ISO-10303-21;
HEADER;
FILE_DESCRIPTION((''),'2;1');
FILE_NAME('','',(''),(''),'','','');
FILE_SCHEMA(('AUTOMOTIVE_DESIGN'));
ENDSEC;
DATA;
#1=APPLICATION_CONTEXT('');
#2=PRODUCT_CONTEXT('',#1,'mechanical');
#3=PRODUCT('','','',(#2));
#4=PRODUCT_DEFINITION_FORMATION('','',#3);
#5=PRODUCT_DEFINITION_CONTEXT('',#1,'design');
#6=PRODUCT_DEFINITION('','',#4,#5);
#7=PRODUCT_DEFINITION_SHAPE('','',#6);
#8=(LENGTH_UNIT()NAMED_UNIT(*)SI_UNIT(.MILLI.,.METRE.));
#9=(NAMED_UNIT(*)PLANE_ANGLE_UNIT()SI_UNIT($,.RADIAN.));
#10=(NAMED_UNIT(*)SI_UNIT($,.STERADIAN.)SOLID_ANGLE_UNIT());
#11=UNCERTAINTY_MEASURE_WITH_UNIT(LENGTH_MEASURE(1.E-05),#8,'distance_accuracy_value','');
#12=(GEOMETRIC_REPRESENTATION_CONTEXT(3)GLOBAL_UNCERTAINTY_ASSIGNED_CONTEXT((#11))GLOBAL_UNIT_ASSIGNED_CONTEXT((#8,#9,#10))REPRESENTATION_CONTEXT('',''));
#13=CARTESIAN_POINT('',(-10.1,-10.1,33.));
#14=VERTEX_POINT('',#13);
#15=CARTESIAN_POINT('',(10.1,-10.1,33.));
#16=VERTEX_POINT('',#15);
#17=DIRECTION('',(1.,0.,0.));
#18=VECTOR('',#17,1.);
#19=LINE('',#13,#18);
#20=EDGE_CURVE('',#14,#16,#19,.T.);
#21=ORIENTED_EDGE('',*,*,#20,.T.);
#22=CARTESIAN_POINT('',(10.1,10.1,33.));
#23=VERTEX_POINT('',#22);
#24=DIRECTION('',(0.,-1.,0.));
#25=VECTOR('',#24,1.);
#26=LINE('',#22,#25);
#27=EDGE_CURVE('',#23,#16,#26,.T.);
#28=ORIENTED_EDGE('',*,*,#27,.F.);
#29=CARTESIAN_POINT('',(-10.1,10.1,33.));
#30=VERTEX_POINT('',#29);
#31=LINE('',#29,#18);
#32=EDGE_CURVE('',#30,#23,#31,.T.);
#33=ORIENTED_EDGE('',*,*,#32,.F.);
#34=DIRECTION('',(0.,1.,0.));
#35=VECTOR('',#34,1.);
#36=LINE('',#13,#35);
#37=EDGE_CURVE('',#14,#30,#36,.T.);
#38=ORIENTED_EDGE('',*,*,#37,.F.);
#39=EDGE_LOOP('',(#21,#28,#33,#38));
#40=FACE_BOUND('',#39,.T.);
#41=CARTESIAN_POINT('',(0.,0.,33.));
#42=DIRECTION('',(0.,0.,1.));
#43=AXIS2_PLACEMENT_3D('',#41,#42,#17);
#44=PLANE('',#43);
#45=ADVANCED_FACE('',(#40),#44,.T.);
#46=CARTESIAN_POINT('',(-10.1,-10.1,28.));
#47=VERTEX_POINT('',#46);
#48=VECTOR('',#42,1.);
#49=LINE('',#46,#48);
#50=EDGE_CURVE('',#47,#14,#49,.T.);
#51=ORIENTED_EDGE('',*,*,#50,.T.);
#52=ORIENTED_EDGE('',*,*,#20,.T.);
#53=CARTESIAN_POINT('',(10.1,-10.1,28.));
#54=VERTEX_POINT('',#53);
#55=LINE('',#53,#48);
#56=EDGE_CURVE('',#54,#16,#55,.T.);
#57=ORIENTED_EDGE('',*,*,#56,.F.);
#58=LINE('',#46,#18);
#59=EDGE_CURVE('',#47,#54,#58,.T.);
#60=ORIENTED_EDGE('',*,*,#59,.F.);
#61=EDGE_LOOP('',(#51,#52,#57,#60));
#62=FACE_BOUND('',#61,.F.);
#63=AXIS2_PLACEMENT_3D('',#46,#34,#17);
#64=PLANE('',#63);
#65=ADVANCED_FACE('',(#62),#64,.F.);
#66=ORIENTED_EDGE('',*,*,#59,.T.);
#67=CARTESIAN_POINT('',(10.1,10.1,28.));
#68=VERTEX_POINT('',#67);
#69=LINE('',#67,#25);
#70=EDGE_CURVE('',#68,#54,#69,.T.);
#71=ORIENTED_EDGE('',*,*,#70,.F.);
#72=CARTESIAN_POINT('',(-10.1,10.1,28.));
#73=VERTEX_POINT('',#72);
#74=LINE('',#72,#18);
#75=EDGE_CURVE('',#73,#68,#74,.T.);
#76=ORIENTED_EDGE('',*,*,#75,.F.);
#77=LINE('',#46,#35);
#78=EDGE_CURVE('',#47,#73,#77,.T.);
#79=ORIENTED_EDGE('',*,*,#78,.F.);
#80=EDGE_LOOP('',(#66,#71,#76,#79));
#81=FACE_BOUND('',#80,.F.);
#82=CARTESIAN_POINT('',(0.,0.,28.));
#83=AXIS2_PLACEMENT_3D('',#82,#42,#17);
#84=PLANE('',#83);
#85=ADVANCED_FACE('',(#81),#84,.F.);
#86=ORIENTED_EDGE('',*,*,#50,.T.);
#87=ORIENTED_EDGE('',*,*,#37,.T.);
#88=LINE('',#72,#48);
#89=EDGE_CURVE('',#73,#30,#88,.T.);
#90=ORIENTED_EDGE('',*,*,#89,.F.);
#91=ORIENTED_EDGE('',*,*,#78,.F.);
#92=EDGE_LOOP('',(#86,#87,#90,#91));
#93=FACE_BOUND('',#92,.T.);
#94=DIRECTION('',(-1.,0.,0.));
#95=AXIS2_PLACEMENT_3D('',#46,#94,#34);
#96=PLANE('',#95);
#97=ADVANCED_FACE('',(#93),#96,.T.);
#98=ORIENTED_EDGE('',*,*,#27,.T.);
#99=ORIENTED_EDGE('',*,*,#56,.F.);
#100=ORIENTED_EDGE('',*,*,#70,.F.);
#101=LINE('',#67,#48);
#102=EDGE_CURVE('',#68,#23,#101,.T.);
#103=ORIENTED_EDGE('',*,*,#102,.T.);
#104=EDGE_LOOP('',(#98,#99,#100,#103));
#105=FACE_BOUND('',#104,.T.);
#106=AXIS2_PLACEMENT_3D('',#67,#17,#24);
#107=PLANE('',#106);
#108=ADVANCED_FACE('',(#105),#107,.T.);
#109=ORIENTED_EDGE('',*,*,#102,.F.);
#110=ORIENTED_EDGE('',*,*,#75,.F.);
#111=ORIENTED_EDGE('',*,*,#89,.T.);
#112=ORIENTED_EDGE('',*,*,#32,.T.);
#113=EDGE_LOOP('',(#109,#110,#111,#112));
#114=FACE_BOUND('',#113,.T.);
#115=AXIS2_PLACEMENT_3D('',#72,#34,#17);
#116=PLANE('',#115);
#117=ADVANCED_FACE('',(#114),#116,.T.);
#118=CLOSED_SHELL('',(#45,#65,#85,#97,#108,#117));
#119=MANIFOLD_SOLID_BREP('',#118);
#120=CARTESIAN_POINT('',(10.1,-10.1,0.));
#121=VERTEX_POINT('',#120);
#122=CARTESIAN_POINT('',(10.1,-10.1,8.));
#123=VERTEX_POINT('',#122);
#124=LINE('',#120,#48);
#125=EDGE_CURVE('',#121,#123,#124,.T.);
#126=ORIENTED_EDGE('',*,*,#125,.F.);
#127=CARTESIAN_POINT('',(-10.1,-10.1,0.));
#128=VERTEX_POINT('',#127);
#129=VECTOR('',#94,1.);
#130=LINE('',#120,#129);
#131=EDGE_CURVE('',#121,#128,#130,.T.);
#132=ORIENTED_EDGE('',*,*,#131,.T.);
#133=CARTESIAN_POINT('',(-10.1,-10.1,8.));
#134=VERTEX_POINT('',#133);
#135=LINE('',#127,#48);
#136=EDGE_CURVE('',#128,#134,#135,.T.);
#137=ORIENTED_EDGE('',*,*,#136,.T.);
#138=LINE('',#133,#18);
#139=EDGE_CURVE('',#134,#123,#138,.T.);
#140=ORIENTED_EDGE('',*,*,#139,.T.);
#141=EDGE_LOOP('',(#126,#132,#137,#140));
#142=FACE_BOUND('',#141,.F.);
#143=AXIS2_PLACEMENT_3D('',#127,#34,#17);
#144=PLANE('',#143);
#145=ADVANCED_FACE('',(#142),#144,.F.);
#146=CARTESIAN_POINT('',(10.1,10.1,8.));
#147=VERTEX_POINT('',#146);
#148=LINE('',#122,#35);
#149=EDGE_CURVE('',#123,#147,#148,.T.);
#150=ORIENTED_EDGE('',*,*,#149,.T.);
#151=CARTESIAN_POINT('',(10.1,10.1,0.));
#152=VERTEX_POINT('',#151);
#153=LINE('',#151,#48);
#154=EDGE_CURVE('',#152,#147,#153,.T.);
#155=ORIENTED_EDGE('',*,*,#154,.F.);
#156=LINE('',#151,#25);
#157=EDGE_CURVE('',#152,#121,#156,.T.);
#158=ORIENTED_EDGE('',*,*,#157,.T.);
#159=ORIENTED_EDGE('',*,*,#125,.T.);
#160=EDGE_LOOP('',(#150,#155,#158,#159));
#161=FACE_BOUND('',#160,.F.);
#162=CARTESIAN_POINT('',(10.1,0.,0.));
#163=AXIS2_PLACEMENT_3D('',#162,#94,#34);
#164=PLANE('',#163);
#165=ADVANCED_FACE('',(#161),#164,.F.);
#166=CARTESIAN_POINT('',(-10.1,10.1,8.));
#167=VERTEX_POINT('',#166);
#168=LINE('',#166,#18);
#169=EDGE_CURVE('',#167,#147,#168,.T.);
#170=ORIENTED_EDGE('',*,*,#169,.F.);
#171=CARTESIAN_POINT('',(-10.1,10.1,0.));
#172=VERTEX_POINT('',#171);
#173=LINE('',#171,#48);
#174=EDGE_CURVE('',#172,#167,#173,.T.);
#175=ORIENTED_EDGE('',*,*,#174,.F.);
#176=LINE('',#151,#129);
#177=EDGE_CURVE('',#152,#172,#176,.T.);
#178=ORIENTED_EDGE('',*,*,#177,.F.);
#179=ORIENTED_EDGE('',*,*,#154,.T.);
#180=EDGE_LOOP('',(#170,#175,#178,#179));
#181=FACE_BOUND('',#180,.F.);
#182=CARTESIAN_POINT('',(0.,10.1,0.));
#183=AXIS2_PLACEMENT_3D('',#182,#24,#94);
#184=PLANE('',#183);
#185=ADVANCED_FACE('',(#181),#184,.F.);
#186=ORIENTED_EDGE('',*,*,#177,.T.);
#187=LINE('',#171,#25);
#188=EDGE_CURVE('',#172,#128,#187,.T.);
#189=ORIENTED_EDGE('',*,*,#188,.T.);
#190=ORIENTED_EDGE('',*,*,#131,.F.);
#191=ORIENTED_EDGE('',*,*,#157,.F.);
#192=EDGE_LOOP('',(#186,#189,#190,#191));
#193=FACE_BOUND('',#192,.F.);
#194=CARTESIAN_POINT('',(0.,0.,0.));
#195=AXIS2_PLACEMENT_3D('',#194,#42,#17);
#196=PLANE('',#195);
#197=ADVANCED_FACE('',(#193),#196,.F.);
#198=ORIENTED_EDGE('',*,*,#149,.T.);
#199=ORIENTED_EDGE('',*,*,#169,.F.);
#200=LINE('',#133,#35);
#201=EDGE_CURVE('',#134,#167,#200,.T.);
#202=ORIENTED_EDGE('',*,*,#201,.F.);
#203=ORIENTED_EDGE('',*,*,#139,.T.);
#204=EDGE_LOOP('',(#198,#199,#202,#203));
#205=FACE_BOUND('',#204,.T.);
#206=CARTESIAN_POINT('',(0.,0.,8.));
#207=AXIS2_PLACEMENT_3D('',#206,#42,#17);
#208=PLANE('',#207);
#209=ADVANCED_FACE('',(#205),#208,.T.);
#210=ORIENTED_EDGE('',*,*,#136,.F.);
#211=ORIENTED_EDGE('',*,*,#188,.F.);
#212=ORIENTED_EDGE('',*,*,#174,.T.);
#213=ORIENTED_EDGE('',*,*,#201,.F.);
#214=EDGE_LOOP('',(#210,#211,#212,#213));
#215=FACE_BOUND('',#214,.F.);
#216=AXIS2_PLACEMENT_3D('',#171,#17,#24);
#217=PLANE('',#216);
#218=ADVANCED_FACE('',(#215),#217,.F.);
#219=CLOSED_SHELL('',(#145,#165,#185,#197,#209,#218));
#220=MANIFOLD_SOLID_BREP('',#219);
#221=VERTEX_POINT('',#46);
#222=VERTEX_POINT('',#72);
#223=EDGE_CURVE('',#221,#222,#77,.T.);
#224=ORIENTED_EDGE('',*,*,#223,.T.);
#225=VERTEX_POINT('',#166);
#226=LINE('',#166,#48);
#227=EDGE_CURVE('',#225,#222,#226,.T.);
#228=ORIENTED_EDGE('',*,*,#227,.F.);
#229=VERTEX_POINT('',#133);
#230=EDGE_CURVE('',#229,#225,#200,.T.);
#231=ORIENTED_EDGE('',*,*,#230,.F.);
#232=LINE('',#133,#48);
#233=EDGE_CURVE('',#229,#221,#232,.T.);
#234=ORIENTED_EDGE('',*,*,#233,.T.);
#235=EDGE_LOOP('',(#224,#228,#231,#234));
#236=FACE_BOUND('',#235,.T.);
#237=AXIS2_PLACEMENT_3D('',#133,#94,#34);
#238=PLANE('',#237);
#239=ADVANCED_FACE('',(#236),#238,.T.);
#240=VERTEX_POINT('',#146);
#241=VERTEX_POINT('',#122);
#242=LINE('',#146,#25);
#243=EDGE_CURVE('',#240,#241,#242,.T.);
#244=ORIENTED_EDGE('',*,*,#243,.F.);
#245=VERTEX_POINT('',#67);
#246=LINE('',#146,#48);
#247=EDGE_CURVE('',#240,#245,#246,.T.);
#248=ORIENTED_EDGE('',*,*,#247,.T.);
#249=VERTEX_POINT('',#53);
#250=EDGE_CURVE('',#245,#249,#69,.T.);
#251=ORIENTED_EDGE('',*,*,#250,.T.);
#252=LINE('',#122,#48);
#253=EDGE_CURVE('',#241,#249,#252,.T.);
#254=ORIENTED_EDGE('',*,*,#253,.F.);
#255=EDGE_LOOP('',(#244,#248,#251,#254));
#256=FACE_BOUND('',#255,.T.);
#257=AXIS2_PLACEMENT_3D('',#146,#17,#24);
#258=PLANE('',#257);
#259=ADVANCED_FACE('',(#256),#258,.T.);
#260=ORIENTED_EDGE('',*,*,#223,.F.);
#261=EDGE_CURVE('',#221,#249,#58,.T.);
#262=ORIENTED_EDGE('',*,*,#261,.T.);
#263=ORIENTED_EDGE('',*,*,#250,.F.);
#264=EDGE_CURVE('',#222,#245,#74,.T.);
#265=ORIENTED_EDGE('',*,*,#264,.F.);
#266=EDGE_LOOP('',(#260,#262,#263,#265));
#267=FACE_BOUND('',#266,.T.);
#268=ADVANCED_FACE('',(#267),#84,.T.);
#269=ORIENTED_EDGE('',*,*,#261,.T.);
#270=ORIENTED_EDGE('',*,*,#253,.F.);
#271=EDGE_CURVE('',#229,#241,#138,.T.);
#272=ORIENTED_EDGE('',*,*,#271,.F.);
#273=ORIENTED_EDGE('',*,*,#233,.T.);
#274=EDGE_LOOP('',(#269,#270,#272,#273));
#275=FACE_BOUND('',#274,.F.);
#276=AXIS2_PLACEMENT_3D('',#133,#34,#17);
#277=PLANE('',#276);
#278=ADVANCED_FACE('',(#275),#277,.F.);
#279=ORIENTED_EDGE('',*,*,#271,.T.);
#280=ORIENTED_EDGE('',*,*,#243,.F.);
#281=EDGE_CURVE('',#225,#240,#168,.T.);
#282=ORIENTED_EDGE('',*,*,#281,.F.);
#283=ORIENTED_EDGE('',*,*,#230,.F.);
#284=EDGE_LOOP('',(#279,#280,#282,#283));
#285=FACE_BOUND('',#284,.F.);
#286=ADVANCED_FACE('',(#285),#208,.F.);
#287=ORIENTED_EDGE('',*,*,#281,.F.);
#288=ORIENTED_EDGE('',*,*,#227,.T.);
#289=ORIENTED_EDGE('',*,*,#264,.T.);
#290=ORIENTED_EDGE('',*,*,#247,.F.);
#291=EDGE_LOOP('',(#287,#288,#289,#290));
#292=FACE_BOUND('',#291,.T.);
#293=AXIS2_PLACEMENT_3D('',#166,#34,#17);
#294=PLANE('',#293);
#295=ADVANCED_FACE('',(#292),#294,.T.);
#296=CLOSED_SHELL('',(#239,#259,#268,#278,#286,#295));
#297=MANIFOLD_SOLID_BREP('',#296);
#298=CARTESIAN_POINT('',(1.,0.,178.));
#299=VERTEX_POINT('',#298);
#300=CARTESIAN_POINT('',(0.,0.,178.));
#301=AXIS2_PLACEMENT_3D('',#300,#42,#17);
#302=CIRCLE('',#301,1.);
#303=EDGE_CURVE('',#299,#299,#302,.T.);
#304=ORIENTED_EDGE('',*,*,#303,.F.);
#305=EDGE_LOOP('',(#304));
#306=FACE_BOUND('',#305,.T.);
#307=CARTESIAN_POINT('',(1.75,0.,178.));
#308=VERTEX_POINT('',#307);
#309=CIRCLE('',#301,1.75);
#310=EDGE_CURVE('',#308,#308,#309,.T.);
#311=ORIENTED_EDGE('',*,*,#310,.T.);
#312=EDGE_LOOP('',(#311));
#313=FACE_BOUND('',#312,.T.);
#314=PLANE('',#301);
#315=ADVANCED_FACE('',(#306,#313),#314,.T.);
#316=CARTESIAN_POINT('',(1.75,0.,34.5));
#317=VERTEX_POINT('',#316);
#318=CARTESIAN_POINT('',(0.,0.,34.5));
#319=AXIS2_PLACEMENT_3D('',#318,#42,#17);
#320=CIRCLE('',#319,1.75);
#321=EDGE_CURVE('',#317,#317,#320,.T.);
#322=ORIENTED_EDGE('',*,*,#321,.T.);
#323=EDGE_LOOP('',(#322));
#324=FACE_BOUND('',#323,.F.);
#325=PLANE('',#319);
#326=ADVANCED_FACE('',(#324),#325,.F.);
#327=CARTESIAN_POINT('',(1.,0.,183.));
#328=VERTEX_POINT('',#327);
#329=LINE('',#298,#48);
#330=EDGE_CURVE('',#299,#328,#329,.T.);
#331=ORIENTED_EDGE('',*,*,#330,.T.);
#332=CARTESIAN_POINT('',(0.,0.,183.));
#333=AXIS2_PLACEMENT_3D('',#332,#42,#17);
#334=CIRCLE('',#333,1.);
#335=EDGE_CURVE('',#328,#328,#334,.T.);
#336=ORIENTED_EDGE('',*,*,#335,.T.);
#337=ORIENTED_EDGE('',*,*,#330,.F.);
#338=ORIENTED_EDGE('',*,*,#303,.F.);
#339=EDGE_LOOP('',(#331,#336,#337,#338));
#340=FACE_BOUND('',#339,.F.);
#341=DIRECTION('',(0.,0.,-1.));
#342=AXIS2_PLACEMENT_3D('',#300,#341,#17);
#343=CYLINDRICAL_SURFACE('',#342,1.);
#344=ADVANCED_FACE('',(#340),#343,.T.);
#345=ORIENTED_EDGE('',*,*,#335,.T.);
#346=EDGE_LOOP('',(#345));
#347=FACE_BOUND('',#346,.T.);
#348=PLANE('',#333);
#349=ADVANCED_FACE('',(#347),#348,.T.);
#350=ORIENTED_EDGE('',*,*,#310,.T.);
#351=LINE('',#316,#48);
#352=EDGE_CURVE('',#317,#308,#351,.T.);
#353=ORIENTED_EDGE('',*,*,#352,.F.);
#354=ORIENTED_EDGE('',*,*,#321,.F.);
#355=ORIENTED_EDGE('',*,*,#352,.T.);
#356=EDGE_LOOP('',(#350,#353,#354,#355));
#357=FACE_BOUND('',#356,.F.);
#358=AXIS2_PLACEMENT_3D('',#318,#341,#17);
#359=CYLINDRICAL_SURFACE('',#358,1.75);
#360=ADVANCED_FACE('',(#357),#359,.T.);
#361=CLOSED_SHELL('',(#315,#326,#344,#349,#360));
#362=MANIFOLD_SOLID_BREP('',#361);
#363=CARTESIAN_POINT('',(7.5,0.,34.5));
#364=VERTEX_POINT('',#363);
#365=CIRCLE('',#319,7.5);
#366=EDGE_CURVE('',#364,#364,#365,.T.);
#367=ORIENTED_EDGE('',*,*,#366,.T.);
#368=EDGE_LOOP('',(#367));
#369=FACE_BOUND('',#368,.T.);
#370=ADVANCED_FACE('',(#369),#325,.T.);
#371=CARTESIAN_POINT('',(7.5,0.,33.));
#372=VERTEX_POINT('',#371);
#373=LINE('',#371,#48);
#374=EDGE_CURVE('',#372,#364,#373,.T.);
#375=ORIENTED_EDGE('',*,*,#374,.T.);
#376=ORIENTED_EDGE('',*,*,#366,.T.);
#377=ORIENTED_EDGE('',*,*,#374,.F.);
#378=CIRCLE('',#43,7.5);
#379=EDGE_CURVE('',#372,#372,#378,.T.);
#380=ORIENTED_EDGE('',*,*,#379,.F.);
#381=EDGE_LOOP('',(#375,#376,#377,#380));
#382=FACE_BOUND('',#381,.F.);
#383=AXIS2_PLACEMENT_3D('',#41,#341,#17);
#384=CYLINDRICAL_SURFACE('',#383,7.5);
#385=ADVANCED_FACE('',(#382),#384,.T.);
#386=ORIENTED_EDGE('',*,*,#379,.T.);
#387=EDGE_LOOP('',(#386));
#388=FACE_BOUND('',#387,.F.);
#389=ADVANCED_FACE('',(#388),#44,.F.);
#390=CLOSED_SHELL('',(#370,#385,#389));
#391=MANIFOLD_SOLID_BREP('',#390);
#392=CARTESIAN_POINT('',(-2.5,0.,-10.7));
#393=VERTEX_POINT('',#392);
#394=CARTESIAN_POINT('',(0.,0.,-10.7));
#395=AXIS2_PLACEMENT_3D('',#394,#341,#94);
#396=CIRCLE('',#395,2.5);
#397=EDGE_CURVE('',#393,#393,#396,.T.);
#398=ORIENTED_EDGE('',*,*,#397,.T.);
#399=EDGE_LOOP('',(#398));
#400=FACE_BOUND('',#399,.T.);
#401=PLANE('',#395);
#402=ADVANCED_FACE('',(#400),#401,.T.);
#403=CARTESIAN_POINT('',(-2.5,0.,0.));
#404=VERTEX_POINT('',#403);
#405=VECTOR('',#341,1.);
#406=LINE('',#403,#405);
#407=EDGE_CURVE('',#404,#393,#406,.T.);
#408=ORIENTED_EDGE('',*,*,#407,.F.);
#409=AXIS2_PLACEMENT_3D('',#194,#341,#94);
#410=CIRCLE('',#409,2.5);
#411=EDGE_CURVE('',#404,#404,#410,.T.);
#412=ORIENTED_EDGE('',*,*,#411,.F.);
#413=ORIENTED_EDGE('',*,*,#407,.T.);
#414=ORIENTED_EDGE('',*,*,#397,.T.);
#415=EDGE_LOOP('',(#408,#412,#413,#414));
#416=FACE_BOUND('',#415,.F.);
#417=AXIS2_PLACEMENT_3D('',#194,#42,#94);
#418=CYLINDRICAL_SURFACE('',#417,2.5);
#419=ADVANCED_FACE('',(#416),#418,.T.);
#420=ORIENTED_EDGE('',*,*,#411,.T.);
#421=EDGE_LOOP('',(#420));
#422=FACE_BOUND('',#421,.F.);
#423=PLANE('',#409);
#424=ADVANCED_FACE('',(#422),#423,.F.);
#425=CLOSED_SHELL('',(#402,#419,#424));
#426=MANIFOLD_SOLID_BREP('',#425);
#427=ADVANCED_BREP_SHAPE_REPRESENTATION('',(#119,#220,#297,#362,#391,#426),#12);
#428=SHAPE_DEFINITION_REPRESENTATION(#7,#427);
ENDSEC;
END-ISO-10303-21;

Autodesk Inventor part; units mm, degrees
ref_plane "YZ Plane" through (0, 0, 0) normal (1, 0, 0) x (0, 1, 0)
ref_plane "XZ Plane" through (0, 0, 0) normal (0, 1, 0) x (-1, 0, 0)
ref_plane "XY Plane" through (0, 0, 0) normal (0, 0, 1) x (1, 0, 0)
sketch "Sketch1" plane through (0, 0, 0) normal (0, 0, 1) x (1, 0, 0)
  line L0 (-14.14, 0) -> (14.14, 0) projected
  line L1 (0, -14.14) -> (0, 14.14) projected
  line L2 (10.1, 10.1) -> (-10.1, 10.1)
  line L3 (-10.1, 10.1) -> (-10.1, -10.1)
  line L4 (-10.1, -10.1) -> (10.1, -10.1)
  line L5 (10.1, -10.1) -> (10.1, 10.1)
  line L6 (10.1, 10.1) -> (-10.1, -10.1) construction
  line L7 (-10.1, 10.1) -> (10.1, -10.1) construction
  point P0 (0, 0)
  dimension "d0" = 20.2
  dimension "d1" = 20.2
extrude "Extrusion3" add sketch "Sketch1" along normal blind 8
sketch "Sketch3" plane through (0, 0, 8) normal (0, 0, 1) x (1, 0, 0)
  line L0 (-10.1, -10.1) -> (10.1, -10.1) projected
  line L1 (-10.1, 10.1) -> (10.1, 10.1)
  line L2 (10.1, 10.1) -> (10.1, -10.1)
  line L3 (10.1, -10.1) -> (-10.1, -10.1)
  line L4 (-10.1, -10.1) -> (-10.1, 10.1)
  line L5 (-10.1, 10.1) -> (10.1, -10.1) construction
  line L6 (10.1, 10.1) -> (-10.1, -10.1) construction
  point P0 (0, 0)
extrude "Extrusion4" add sketch "Sketch3" along normal blind 20 separate body
sketch "Sketch4" plane through (0, 0, 28) normal (0, 0, 1) x (1, 0, 0)
  line L0 (-10.1, -10.1) -> (10.1, -10.1) projected
  line L1 (-10.1, 10.1) -> (10.1, 10.1)
  line L2 (10.1, 10.1) -> (10.1, -10.1)
  line L3 (10.1, -10.1) -> (-10.1, -10.1)
  line L4 (-10.1, -10.1) -> (-10.1, 10.1)
  line L5 (-10.1, 10.1) -> (10.1, -10.1) construction
  line L6 (10.1, 10.1) -> (-10.1, -10.1) construction
  point P0 (0, 0)
extrude "Extrusion5" add sketch "Sketch4" along normal blind 5 separate body
sketch "Sketch5" plane through (0, 0, 33) normal (0, 0, 1) x (1, 0, 0)
  circle A0 centre (0, 0) radius 7.5
  dimension "d12" = 15
extrude "Extrusion6" add sketch "Sketch5" along normal blind 1.5 separate body
sketch "Sketch6" plane through (0, 0, 0) normal (0, 0, -1) x (-1, 0, 0)
  circle A0 centre (0, 0) radius 2.5
  dimension "d15" = 5
extrude "Extrusion7" add sketch "Sketch6" along normal blind 10.7 separate body
sketch "Sketch7" plane through (0, 0, 34.5) normal (0, 0, 1) x (1, 0, 0)
  circle A0 centre (0, 0) radius 1.75
  dimension "d18" = 3.5
extrude "Extrusion8" add sketch "Sketch7" along normal blind 143.5 separate body
sketch "Sketch8" plane through (0, 0, 178) normal (0, 0, 1) x (1, 0, 0)
  circle A0 centre (0, 0) radius 1
  dimension "d21" = 2
extrude "Extrusion9" add sketch "Sketch8" along normal blind 5 bodies 6
properties part number "maly_silnik"
